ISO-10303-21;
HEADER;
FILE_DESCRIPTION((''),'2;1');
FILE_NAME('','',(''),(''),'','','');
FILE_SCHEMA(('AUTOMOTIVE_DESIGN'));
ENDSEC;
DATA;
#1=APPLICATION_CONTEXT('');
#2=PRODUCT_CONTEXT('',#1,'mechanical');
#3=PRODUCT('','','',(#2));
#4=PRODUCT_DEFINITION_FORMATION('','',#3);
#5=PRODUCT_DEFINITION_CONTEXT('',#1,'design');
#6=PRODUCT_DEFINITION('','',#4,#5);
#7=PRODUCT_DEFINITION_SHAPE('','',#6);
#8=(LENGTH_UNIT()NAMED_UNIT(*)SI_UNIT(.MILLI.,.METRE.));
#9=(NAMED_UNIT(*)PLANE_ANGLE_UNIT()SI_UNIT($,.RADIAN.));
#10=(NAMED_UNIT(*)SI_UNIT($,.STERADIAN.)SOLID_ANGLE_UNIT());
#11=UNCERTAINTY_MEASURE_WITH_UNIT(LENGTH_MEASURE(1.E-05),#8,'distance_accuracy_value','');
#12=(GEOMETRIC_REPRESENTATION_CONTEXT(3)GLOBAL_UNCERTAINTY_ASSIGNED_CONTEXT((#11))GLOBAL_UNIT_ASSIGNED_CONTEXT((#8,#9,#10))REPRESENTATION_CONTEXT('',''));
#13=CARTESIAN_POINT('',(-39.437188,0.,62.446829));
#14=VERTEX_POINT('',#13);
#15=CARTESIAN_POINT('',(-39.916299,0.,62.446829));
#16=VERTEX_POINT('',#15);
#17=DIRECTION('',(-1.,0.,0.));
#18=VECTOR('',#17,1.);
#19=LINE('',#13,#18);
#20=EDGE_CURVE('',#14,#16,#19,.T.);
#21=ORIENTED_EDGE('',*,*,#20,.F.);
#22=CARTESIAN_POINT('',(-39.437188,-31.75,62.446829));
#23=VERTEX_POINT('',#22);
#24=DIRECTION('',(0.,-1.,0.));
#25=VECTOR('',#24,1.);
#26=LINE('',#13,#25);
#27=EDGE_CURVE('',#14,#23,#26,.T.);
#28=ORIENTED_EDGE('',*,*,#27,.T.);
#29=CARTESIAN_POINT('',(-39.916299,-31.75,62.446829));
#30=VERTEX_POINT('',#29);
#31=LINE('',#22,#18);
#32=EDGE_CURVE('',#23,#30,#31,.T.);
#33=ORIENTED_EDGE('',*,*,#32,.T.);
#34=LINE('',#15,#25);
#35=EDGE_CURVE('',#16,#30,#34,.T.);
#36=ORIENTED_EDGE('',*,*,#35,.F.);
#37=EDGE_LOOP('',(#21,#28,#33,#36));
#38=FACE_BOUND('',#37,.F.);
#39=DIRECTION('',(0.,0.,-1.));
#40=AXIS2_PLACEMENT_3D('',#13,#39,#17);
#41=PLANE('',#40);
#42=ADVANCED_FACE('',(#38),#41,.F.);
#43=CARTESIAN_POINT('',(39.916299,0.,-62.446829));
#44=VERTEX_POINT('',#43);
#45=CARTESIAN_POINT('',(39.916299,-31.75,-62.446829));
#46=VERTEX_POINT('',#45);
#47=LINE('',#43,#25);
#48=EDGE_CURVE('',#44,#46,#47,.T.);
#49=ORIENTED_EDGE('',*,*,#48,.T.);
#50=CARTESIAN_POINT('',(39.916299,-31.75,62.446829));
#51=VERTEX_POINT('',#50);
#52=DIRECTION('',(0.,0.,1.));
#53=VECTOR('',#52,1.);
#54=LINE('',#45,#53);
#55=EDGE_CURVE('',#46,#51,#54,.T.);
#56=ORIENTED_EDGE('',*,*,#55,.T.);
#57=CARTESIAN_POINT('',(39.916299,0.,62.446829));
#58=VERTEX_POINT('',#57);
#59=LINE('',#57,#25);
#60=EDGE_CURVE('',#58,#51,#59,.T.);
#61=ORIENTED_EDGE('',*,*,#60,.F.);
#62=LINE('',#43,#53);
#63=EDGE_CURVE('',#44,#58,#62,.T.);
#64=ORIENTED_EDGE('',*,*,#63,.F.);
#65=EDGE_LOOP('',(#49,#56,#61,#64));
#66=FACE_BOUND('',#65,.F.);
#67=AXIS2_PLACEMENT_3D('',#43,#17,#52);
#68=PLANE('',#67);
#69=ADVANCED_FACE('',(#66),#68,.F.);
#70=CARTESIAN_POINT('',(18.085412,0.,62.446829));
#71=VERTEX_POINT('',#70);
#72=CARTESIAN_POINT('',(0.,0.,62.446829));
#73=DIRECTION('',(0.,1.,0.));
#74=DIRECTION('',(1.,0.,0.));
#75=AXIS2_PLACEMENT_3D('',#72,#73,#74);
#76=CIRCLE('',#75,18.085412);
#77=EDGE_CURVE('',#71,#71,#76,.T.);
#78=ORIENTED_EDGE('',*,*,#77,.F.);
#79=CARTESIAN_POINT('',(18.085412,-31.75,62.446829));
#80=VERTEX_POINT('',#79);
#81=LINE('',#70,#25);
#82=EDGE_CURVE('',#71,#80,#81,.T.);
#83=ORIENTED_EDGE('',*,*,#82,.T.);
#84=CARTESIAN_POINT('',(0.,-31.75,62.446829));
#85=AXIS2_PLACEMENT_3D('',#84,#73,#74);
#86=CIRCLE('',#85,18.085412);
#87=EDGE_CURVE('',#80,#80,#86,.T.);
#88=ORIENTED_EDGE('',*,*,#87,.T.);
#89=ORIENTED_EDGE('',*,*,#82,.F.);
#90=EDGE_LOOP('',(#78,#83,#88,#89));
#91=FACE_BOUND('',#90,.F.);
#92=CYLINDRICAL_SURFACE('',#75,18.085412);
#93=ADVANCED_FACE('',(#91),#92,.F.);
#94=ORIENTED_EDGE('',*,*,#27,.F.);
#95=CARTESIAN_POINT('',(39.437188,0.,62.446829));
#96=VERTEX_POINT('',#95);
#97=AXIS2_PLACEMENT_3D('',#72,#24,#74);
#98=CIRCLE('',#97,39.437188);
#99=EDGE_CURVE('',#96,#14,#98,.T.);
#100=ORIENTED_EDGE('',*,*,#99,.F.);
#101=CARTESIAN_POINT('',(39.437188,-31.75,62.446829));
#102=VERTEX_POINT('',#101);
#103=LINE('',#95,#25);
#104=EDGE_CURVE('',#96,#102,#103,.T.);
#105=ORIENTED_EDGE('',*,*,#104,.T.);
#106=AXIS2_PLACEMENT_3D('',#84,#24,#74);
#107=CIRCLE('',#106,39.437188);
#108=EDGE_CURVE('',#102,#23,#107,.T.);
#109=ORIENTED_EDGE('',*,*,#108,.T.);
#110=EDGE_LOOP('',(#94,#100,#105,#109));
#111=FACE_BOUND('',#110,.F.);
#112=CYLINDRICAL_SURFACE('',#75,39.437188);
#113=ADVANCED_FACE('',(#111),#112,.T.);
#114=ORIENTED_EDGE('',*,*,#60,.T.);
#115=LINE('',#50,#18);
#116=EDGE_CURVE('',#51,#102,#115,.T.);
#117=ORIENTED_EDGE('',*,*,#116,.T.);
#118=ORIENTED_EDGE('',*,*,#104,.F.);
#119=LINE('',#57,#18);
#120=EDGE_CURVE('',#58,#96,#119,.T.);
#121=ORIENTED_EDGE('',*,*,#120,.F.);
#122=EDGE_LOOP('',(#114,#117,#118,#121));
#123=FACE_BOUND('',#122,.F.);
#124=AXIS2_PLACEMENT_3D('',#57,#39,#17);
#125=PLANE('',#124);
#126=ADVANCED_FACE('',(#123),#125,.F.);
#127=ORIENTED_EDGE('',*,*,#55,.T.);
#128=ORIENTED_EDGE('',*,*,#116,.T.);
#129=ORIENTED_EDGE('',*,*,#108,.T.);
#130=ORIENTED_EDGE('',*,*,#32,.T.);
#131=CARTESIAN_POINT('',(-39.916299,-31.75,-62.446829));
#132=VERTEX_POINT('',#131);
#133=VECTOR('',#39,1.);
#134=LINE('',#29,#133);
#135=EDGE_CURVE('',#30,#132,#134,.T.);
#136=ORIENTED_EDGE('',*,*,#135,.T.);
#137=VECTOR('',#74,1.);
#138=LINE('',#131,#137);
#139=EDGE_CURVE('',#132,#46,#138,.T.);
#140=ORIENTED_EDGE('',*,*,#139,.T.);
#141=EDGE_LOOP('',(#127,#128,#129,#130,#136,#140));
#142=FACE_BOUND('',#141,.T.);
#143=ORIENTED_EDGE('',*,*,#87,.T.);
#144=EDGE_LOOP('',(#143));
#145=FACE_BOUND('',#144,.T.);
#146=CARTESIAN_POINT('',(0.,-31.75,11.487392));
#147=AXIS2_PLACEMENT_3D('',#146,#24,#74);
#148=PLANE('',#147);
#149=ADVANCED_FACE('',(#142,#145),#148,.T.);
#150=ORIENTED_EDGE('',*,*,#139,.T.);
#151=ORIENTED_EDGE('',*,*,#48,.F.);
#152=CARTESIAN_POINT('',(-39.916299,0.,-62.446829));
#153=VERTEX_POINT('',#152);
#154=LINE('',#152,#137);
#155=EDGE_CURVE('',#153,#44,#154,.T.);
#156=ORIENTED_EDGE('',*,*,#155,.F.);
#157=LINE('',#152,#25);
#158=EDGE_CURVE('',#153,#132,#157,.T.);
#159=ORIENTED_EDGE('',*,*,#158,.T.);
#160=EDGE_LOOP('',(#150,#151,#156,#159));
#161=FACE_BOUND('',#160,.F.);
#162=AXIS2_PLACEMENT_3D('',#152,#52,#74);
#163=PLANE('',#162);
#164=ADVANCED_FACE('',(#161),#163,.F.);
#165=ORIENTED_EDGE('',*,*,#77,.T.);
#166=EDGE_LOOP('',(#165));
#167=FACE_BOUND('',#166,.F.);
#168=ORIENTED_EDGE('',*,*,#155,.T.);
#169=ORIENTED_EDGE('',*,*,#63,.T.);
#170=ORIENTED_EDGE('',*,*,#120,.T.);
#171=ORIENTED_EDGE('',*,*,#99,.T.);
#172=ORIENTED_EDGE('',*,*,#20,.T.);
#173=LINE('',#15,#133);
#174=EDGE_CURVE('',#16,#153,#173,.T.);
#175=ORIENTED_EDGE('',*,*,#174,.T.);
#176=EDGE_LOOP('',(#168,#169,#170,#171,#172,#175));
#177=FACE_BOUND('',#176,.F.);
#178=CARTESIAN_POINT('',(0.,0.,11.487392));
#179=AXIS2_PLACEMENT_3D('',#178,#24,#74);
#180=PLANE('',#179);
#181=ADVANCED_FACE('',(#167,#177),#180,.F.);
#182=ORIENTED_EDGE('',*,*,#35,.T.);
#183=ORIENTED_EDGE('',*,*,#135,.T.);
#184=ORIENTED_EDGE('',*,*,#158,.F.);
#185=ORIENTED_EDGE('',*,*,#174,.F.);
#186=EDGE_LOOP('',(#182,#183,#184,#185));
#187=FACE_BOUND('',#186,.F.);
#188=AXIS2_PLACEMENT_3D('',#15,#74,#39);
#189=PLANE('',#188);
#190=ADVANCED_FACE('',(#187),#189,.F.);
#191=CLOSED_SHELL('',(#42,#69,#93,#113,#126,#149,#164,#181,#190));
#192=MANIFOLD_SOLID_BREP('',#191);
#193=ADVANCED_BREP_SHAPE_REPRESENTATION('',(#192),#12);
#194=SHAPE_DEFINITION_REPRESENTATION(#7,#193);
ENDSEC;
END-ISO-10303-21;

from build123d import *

# Parameters (mm, degrees)
F1_DEPTH = 31.75


with BuildPart() as f1:
    # F0 (on Front) → F1 (new body)
    with BuildSketch(Plane.XZ):
        with BuildLine():
            Line((-39.437188, 62.446829), (-39.916299, 62.446829))
            Line((-39.916299, 62.446829), (-39.916299, -62.446829))
            Line((-39.916299, -62.446829), (39.916299, -62.446829))
            Line((39.916299, -62.446829), (39.916299, 62.446829))
            Line((39.916299, 62.446829), (39.437188, 62.446829))
            ThreePointArc((39.437188, 62.446829), (0, 101.884017), (-39.437188, 62.446829))
        make_face()
        with BuildLine():
            ThreePointArc((-18.085412, 62.446829), (0, 80.532241), (18.085412, 62.446829))
            ThreePointArc((18.085412, 62.446829), (0, 44.361417), (-18.085412, 62.446829))
        make_face(mode=Mode.SUBTRACT)
    extrude(amount=F1_DEPTH)


solid = f1.part
